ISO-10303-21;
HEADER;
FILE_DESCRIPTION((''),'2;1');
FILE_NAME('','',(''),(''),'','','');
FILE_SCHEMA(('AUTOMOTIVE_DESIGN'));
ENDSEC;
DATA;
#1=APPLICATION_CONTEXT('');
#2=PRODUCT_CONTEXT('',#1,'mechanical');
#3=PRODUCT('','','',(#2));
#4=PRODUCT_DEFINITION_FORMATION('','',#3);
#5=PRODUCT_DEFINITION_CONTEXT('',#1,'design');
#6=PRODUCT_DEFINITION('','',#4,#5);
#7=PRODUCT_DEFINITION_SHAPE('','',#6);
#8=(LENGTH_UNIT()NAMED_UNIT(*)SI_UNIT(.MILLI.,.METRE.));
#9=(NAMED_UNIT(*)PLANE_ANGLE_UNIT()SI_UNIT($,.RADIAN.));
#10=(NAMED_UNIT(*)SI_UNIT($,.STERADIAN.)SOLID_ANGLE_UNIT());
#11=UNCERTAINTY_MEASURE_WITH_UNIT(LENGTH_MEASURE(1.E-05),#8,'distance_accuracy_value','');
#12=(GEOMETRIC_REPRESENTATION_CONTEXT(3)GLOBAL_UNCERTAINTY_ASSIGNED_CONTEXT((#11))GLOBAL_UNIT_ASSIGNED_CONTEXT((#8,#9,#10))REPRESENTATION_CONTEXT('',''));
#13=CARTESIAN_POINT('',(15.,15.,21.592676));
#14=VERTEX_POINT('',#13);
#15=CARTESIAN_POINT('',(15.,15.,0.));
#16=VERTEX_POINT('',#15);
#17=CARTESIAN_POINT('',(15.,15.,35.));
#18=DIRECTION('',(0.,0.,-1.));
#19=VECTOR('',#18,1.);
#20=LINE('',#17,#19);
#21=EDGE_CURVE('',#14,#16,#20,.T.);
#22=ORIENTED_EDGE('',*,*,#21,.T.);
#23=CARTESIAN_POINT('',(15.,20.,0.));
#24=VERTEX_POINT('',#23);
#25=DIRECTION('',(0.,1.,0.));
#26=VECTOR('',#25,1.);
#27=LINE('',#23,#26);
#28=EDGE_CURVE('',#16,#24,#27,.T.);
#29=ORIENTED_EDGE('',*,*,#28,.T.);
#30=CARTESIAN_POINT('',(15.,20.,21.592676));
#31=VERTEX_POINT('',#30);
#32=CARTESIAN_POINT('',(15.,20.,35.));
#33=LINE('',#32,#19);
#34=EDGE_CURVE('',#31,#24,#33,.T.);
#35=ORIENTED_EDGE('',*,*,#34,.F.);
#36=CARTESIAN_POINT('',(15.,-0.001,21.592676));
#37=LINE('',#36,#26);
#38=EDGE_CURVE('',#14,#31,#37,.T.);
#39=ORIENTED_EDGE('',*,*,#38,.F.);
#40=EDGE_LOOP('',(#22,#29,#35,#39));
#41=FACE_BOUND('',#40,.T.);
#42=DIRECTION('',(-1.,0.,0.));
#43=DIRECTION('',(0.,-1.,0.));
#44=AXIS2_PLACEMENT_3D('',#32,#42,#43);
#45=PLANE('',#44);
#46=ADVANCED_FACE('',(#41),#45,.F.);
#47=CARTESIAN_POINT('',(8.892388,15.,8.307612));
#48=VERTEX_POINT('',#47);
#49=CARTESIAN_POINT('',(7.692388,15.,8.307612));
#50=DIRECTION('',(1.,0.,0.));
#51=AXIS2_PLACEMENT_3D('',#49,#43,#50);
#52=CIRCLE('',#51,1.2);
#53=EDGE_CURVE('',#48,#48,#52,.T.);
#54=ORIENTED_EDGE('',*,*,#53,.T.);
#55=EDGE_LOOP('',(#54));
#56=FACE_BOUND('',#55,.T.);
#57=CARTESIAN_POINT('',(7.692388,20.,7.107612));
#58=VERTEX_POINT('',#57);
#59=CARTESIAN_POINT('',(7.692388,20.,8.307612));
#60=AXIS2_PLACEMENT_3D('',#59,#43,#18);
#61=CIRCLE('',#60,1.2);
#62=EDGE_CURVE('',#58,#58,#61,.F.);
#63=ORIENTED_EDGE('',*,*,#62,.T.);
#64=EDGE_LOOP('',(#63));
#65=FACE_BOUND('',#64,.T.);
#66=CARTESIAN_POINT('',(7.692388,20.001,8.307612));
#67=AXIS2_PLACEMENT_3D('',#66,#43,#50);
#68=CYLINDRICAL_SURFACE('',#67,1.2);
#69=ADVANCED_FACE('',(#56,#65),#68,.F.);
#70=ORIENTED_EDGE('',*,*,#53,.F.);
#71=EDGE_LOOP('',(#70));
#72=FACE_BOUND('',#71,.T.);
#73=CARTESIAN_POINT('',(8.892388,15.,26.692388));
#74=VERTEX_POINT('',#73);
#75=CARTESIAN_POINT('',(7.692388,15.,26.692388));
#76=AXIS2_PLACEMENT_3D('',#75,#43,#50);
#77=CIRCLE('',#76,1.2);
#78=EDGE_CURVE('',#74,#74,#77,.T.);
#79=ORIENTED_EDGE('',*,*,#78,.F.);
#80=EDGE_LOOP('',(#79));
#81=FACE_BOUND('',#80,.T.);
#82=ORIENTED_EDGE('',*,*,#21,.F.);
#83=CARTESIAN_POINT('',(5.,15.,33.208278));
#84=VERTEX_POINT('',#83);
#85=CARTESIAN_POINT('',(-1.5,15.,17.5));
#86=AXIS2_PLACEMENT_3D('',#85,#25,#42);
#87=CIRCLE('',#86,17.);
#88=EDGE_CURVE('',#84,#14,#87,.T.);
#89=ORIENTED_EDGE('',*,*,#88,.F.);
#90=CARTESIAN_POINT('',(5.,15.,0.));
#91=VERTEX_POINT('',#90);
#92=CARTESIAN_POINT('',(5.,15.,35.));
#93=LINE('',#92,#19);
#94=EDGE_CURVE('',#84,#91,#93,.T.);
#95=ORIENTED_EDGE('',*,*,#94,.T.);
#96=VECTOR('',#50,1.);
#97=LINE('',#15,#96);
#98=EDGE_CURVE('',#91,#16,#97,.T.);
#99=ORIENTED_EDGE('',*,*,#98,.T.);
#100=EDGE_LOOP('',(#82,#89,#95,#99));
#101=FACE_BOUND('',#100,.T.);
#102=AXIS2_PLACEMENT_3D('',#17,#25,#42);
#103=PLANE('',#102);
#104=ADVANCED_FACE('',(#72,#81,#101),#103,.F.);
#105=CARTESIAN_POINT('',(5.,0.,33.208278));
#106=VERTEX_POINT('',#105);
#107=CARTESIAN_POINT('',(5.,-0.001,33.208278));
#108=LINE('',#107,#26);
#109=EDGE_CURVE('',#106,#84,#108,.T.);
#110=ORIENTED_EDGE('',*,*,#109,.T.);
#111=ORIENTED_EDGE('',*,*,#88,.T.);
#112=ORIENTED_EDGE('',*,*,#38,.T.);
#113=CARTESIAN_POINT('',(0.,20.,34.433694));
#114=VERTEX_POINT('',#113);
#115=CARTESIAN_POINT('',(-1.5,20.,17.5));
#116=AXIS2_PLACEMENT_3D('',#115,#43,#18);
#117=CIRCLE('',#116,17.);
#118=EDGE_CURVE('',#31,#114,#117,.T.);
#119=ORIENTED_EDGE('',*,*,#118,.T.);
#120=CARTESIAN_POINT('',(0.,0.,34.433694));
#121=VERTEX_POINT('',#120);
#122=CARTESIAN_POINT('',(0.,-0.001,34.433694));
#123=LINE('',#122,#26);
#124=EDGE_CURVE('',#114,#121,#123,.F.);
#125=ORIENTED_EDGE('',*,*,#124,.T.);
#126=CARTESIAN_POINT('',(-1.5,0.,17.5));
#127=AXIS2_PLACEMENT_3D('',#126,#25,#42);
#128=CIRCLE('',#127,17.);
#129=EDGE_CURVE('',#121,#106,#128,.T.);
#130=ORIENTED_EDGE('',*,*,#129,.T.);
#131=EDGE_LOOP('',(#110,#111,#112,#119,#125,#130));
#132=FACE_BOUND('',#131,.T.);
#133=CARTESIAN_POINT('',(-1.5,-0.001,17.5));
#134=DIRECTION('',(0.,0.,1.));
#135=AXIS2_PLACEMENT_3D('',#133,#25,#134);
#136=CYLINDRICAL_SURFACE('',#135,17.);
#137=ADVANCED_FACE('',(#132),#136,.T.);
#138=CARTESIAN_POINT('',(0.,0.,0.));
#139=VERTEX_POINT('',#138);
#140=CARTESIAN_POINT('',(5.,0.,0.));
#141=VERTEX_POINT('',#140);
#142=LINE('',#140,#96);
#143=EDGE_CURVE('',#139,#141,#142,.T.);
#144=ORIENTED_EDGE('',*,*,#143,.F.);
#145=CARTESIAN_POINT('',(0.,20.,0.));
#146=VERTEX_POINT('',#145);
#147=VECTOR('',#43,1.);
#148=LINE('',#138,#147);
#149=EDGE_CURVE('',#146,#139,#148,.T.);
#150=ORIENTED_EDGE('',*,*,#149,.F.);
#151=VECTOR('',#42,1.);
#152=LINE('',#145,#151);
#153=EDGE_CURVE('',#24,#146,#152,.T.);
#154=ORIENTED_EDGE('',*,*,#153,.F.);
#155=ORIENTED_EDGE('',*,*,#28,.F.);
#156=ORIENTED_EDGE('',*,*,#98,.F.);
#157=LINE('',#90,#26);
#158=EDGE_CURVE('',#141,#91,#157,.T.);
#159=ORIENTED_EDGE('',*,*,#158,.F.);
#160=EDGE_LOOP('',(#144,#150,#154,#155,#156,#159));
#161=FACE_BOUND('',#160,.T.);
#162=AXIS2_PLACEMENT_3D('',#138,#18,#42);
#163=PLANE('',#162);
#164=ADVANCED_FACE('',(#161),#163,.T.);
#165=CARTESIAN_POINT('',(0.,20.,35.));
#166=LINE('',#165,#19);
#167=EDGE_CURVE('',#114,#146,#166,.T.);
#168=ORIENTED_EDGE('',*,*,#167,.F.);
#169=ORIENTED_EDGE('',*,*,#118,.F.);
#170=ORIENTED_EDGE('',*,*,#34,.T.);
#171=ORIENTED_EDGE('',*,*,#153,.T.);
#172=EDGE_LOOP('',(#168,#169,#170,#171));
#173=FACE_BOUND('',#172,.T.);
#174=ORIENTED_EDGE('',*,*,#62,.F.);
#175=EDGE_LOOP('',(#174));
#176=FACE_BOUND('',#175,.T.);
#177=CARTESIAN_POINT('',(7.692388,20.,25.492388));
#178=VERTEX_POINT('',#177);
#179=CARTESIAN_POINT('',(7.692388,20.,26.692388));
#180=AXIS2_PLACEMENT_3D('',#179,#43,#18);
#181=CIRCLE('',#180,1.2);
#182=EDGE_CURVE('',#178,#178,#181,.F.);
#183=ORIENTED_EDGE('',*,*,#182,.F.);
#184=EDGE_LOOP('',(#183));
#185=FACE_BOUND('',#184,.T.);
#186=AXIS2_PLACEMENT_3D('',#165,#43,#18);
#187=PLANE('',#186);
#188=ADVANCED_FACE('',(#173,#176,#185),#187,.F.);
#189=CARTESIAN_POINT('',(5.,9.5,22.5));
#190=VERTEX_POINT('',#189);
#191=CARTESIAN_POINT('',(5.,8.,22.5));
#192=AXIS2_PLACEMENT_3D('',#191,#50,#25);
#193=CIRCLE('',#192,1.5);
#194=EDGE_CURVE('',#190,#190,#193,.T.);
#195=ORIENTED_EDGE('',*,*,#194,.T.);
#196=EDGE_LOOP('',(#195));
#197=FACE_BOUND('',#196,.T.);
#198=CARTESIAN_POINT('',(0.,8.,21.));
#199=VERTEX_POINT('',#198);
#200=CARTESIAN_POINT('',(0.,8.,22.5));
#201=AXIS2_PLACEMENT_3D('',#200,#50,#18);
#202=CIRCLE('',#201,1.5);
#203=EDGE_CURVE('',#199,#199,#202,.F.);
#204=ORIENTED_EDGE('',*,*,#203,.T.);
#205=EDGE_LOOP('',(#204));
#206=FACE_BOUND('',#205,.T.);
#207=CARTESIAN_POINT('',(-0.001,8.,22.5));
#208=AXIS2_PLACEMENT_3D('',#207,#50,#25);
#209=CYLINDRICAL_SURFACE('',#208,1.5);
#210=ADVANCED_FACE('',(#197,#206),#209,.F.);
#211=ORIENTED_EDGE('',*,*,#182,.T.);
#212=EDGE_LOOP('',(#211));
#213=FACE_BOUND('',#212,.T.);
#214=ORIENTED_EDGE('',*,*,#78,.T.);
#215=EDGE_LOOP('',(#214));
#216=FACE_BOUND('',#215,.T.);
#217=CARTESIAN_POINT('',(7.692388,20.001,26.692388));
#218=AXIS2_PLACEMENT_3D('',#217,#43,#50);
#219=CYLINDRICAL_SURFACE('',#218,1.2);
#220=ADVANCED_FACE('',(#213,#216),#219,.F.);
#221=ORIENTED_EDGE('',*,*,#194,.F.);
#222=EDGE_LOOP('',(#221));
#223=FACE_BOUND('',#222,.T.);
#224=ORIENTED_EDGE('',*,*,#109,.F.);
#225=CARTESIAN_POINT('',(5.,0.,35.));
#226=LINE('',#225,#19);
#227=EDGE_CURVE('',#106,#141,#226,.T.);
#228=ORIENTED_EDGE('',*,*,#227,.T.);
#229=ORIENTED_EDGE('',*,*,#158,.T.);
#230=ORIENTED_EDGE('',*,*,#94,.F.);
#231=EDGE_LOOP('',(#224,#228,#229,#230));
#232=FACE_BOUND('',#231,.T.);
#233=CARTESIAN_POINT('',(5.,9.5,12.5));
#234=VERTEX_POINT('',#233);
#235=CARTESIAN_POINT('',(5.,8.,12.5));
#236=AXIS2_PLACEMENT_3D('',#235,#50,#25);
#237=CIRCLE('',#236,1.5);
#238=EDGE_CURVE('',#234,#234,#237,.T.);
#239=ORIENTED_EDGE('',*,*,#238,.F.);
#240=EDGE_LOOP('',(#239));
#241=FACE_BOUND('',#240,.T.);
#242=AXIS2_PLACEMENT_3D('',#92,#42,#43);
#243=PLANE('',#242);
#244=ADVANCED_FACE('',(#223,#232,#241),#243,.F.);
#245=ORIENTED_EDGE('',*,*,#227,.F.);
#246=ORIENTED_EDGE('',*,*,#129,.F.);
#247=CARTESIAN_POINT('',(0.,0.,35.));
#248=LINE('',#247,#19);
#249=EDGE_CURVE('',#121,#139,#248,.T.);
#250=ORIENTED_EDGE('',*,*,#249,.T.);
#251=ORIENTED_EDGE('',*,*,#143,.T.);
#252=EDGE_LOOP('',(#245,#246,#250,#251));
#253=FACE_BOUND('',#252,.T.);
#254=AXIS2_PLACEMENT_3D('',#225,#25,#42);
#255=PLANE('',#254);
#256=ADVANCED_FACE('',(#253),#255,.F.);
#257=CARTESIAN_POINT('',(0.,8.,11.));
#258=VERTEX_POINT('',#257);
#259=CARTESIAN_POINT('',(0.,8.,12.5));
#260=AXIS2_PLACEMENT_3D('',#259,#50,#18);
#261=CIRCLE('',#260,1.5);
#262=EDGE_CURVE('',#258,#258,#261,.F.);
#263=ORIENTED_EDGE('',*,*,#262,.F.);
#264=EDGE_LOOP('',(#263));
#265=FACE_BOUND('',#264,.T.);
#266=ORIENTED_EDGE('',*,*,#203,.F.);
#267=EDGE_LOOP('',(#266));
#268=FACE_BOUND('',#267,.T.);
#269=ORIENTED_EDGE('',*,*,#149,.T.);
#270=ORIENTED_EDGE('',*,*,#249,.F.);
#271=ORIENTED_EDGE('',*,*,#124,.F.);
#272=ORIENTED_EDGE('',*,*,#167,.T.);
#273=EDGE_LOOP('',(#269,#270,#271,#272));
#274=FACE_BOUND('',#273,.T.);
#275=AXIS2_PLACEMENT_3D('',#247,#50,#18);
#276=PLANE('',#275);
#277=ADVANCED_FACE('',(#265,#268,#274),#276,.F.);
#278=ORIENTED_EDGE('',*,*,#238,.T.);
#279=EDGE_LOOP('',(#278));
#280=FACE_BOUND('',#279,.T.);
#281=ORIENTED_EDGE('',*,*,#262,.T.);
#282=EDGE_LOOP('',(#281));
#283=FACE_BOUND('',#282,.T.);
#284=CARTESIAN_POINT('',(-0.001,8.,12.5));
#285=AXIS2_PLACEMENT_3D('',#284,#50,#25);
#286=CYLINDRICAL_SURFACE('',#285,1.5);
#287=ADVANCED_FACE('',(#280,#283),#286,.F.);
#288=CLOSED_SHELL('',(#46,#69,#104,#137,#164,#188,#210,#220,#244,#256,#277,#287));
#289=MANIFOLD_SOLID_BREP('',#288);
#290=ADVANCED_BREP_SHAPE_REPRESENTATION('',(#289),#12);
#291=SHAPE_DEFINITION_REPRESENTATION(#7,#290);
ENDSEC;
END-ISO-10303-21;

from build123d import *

# Parameters (mm, degrees)
BOSS_EXTRUDE1_DEPTH = 35
CUT_EXTRUDE1_REACH  = 42.927
SKETCH3_R           = 1.2
CUT_EXTRUDE2_REACH  = 43.533
SKETCH4_R           = 1.5
CUT_EXTRUDE4_REACH  = 45.012


with BuildPart() as part:
    # Sketch1 → Boss-Extrude1 (new body)
    with BuildSketch(Plane.XY):
        Polygon((0, 0), (0, 20), (15, 20), (15, 15), (5, 15), (5, 0), align=None)
    extrude(amount=BOSS_EXTRUDE1_DEPTH)

    # Sketch3 → Cut-Extrude1 (cut, up to next)
    with BuildSketch(Plane.XZ.offset(-15), mode=Mode.PRIVATE) as cut_extrude1_sk1:
        with Locations((7.692388155, 26.692388155)):
            Circle(SKETCH3_R)
    cut_extrude1_tool1 = extrude(cut_extrude1_sk1.sketch, amount=-CUT_EXTRUDE1_REACH, mode=Mode.PRIVATE) & part.part
    # Sketch3 → Cut-Extrude1 (cut, up to next)
    with BuildSketch(Plane.XZ.offset(-15), mode=Mode.PRIVATE) as cut_extrude1_sk2:
        with Locations((7.692388155, 8.307611845)):
            Circle(SKETCH3_R)
    cut_extrude1_tool2 = extrude(cut_extrude1_sk2.sketch, amount=-CUT_EXTRUDE1_REACH, mode=Mode.PRIVATE) & part.part
    add(cut_extrude1_tool1.solids().sort_by_distance((7.692388, 15, 26.692388))[0], mode=Mode.SUBTRACT)
    add(cut_extrude1_tool2.solids().sort_by_distance((7.692388, 15, 8.307612))[0], mode=Mode.SUBTRACT)

    # Sketch4 → Cut-Extrude2 (cut, up to next)
    with BuildSketch(Plane(origin=(5, 0, 0), x_dir=(0, 0, -1), z_dir=(1, 0, 0)), mode=Mode.PRIVATE) as cut_extrude2_sk1:
        with Locations(Location((-22.5, 8, 0), (0, 0, 90))):
            Circle(SKETCH4_R)
    cut_extrude2_tool1 = extrude(cut_extrude2_sk1.sketch, amount=-CUT_EXTRUDE2_REACH, mode=Mode.PRIVATE) & part.part
    # Sketch4 → Cut-Extrude2 (cut, up to next)
    with BuildSketch(Plane(origin=(5, 0, 0), x_dir=(0, 0, -1), z_dir=(1, 0, 0)), mode=Mode.PRIVATE) as cut_extrude2_sk2:
        with Locations(Location((-12.5, 8, 0), (0, 0, 90))):
            Circle(SKETCH4_R)
    cut_extrude2_tool2 = extrude(cut_extrude2_sk2.sketch, amount=-CUT_EXTRUDE2_REACH, mode=Mode.PRIVATE) & part.part
    add(cut_extrude2_tool1.solids().sort_by_distance((5, 8, 22.5))[0], mode=Mode.SUBTRACT)
    add(cut_extrude2_tool2.solids().sort_by_distance((5, 8, 12.5))[0], mode=Mode.SUBTRACT)

    # Sketch6 → Cut-Extrude4 (cut, up to next)
    with BuildSketch(Plane(origin=(0, 20, 0), x_dir=(1, 0, 0), z_dir=(0, 1, 0)), mode=Mode.PRIVATE) as cut_extrude4_sk1:
        with BuildLine():
            Line((-1.5, -34.5), (-1.5, -42.5))
            ThreePointArc((-1.5, -42.5), (16.17766953, -35.17766953), (23.5, -17.5))
            Line((23.5, -17.5), (15.5, -17.5))
            ThreePointArc((15.5, -17.5), (10.52081528, -29.52081528), (-1.5, -34.5))
        make_face()
    cut_extrude4_tool1 = extrude(cut_extrude4_sk1.sketch, amount=-CUT_EXTRUDE4_REACH, mode=Mode.PRIVATE) & part.part
    add(cut_extrude4_tool1.solids().sort_by_distance((12.030696, 20, 31.030696))[0], mode=Mode.SUBTRACT)


solid = part.part
